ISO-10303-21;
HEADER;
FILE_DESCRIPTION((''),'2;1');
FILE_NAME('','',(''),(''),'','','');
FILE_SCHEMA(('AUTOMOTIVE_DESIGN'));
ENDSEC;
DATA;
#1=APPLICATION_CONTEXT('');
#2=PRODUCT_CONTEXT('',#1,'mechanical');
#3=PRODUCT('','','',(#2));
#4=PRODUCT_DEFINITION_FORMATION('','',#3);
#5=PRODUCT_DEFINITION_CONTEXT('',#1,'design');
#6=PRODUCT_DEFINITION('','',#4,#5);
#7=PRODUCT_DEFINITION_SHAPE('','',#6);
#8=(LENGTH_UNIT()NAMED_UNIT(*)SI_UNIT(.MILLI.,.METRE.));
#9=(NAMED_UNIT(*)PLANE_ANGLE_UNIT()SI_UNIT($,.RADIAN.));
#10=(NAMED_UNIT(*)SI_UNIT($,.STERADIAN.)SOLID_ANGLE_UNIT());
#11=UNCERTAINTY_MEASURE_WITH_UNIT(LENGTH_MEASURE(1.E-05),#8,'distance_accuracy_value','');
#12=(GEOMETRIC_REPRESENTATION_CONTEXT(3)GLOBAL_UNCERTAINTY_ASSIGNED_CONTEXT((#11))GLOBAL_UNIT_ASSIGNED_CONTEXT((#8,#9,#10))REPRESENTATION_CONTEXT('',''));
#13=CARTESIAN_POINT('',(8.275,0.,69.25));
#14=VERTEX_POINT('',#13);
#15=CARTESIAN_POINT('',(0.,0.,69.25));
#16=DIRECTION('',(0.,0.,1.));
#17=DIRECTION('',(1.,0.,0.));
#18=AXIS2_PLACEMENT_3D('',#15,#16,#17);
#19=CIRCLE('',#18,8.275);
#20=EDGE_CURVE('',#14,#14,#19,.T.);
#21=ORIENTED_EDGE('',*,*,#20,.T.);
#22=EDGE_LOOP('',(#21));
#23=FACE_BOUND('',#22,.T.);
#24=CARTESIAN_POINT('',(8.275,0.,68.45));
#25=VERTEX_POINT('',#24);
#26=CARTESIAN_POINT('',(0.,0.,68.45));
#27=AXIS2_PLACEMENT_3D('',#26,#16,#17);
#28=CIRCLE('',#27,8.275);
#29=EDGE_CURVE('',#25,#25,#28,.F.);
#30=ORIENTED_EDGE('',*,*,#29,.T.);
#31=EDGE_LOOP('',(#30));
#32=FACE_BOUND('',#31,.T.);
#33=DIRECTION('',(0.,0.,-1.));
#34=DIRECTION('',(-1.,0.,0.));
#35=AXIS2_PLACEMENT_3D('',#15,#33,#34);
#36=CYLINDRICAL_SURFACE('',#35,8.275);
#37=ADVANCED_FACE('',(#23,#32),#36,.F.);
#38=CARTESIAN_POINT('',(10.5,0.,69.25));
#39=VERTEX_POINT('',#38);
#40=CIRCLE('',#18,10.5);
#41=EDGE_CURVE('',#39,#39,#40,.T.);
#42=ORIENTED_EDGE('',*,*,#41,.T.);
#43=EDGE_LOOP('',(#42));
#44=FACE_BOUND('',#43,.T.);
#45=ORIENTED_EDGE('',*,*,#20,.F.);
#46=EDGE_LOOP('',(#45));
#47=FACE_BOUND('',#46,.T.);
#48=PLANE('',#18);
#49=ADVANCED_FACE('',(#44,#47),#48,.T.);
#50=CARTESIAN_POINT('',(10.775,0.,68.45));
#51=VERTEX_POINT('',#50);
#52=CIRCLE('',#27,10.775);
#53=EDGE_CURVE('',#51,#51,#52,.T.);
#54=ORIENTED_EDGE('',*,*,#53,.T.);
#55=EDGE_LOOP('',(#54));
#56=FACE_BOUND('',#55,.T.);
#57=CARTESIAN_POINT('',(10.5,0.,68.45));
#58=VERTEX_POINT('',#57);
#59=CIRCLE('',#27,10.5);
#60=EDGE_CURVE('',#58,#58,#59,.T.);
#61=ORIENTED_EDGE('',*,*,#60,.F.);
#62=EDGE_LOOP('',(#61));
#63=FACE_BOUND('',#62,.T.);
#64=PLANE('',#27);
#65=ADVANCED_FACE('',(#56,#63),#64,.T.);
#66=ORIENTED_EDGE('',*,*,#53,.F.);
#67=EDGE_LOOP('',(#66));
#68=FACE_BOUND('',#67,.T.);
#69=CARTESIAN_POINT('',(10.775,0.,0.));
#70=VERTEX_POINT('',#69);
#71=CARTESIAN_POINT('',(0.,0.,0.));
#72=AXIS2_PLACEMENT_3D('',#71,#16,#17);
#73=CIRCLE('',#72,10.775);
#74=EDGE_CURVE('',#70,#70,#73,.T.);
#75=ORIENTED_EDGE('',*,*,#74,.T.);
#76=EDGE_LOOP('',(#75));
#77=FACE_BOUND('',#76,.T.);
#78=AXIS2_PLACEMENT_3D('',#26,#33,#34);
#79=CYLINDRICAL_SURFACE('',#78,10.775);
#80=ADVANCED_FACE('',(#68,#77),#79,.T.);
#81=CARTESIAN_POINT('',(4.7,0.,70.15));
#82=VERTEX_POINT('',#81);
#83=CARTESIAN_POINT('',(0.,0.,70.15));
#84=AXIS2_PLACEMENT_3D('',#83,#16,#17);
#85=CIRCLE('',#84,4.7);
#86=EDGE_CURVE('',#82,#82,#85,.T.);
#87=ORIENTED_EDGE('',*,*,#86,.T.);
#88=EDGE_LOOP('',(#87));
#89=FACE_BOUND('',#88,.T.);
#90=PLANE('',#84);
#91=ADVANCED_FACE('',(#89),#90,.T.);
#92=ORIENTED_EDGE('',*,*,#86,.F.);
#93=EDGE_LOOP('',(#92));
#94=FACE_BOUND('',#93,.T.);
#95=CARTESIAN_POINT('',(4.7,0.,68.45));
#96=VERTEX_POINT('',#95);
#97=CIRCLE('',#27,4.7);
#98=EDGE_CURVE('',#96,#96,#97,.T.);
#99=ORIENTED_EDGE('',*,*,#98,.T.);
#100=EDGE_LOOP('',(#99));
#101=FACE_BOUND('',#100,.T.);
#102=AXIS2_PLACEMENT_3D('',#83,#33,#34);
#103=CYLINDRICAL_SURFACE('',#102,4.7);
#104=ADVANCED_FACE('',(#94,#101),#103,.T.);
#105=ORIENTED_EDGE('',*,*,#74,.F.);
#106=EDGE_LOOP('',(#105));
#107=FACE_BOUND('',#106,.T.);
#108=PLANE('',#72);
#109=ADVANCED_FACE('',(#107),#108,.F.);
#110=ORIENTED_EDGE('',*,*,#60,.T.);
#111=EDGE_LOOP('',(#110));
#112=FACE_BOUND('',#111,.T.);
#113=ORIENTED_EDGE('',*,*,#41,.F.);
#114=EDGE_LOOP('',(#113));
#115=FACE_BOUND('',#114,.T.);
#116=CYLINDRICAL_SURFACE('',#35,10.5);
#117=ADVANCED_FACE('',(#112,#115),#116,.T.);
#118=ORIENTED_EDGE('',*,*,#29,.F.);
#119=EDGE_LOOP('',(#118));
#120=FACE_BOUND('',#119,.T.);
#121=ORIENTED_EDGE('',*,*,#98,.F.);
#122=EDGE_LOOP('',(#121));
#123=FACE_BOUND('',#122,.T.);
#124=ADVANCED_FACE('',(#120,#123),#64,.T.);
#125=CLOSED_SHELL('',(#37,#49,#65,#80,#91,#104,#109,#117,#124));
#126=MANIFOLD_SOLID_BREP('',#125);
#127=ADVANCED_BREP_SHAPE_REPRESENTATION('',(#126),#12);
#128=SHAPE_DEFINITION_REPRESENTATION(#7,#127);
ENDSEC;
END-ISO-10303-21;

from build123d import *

# Parameters (mm, degrees)
SKETCH1_R           = 10.775
BOSS_EXTRUDE1_DEPTH = 68.45
SKETCH2_R           = 4.7
BOSS_EXTRUDE2_DEPTH = 1.7
SKETCH3_R           = 10.5
SKETCH3_R_2         = 8.275
BOSS_EXTRUDE3_DEPTH = 0.8


with BuildPart() as part:
    # Sketch1 → Boss-Extrude1 (new body)
    with BuildSketch(Plane.XY):
        Circle(SKETCH1_R)
    extrude(amount=BOSS_EXTRUDE1_DEPTH)

    # Sketch2 → Boss-Extrude2 (add)
    with BuildSketch(Plane.XY.offset(68.45)):
        Circle(SKETCH2_R)
    extrude(amount=BOSS_EXTRUDE2_DEPTH)

    # Sketch3 → Boss-Extrude3 (add)
    with BuildSketch(Plane.XY.offset(68.45)):
        Circle(SKETCH3_R)
        Circle(SKETCH3_R_2, mode=Mode.SUBTRACT)
    extrude(amount=BOSS_EXTRUDE3_DEPTH)


solid = part.part
